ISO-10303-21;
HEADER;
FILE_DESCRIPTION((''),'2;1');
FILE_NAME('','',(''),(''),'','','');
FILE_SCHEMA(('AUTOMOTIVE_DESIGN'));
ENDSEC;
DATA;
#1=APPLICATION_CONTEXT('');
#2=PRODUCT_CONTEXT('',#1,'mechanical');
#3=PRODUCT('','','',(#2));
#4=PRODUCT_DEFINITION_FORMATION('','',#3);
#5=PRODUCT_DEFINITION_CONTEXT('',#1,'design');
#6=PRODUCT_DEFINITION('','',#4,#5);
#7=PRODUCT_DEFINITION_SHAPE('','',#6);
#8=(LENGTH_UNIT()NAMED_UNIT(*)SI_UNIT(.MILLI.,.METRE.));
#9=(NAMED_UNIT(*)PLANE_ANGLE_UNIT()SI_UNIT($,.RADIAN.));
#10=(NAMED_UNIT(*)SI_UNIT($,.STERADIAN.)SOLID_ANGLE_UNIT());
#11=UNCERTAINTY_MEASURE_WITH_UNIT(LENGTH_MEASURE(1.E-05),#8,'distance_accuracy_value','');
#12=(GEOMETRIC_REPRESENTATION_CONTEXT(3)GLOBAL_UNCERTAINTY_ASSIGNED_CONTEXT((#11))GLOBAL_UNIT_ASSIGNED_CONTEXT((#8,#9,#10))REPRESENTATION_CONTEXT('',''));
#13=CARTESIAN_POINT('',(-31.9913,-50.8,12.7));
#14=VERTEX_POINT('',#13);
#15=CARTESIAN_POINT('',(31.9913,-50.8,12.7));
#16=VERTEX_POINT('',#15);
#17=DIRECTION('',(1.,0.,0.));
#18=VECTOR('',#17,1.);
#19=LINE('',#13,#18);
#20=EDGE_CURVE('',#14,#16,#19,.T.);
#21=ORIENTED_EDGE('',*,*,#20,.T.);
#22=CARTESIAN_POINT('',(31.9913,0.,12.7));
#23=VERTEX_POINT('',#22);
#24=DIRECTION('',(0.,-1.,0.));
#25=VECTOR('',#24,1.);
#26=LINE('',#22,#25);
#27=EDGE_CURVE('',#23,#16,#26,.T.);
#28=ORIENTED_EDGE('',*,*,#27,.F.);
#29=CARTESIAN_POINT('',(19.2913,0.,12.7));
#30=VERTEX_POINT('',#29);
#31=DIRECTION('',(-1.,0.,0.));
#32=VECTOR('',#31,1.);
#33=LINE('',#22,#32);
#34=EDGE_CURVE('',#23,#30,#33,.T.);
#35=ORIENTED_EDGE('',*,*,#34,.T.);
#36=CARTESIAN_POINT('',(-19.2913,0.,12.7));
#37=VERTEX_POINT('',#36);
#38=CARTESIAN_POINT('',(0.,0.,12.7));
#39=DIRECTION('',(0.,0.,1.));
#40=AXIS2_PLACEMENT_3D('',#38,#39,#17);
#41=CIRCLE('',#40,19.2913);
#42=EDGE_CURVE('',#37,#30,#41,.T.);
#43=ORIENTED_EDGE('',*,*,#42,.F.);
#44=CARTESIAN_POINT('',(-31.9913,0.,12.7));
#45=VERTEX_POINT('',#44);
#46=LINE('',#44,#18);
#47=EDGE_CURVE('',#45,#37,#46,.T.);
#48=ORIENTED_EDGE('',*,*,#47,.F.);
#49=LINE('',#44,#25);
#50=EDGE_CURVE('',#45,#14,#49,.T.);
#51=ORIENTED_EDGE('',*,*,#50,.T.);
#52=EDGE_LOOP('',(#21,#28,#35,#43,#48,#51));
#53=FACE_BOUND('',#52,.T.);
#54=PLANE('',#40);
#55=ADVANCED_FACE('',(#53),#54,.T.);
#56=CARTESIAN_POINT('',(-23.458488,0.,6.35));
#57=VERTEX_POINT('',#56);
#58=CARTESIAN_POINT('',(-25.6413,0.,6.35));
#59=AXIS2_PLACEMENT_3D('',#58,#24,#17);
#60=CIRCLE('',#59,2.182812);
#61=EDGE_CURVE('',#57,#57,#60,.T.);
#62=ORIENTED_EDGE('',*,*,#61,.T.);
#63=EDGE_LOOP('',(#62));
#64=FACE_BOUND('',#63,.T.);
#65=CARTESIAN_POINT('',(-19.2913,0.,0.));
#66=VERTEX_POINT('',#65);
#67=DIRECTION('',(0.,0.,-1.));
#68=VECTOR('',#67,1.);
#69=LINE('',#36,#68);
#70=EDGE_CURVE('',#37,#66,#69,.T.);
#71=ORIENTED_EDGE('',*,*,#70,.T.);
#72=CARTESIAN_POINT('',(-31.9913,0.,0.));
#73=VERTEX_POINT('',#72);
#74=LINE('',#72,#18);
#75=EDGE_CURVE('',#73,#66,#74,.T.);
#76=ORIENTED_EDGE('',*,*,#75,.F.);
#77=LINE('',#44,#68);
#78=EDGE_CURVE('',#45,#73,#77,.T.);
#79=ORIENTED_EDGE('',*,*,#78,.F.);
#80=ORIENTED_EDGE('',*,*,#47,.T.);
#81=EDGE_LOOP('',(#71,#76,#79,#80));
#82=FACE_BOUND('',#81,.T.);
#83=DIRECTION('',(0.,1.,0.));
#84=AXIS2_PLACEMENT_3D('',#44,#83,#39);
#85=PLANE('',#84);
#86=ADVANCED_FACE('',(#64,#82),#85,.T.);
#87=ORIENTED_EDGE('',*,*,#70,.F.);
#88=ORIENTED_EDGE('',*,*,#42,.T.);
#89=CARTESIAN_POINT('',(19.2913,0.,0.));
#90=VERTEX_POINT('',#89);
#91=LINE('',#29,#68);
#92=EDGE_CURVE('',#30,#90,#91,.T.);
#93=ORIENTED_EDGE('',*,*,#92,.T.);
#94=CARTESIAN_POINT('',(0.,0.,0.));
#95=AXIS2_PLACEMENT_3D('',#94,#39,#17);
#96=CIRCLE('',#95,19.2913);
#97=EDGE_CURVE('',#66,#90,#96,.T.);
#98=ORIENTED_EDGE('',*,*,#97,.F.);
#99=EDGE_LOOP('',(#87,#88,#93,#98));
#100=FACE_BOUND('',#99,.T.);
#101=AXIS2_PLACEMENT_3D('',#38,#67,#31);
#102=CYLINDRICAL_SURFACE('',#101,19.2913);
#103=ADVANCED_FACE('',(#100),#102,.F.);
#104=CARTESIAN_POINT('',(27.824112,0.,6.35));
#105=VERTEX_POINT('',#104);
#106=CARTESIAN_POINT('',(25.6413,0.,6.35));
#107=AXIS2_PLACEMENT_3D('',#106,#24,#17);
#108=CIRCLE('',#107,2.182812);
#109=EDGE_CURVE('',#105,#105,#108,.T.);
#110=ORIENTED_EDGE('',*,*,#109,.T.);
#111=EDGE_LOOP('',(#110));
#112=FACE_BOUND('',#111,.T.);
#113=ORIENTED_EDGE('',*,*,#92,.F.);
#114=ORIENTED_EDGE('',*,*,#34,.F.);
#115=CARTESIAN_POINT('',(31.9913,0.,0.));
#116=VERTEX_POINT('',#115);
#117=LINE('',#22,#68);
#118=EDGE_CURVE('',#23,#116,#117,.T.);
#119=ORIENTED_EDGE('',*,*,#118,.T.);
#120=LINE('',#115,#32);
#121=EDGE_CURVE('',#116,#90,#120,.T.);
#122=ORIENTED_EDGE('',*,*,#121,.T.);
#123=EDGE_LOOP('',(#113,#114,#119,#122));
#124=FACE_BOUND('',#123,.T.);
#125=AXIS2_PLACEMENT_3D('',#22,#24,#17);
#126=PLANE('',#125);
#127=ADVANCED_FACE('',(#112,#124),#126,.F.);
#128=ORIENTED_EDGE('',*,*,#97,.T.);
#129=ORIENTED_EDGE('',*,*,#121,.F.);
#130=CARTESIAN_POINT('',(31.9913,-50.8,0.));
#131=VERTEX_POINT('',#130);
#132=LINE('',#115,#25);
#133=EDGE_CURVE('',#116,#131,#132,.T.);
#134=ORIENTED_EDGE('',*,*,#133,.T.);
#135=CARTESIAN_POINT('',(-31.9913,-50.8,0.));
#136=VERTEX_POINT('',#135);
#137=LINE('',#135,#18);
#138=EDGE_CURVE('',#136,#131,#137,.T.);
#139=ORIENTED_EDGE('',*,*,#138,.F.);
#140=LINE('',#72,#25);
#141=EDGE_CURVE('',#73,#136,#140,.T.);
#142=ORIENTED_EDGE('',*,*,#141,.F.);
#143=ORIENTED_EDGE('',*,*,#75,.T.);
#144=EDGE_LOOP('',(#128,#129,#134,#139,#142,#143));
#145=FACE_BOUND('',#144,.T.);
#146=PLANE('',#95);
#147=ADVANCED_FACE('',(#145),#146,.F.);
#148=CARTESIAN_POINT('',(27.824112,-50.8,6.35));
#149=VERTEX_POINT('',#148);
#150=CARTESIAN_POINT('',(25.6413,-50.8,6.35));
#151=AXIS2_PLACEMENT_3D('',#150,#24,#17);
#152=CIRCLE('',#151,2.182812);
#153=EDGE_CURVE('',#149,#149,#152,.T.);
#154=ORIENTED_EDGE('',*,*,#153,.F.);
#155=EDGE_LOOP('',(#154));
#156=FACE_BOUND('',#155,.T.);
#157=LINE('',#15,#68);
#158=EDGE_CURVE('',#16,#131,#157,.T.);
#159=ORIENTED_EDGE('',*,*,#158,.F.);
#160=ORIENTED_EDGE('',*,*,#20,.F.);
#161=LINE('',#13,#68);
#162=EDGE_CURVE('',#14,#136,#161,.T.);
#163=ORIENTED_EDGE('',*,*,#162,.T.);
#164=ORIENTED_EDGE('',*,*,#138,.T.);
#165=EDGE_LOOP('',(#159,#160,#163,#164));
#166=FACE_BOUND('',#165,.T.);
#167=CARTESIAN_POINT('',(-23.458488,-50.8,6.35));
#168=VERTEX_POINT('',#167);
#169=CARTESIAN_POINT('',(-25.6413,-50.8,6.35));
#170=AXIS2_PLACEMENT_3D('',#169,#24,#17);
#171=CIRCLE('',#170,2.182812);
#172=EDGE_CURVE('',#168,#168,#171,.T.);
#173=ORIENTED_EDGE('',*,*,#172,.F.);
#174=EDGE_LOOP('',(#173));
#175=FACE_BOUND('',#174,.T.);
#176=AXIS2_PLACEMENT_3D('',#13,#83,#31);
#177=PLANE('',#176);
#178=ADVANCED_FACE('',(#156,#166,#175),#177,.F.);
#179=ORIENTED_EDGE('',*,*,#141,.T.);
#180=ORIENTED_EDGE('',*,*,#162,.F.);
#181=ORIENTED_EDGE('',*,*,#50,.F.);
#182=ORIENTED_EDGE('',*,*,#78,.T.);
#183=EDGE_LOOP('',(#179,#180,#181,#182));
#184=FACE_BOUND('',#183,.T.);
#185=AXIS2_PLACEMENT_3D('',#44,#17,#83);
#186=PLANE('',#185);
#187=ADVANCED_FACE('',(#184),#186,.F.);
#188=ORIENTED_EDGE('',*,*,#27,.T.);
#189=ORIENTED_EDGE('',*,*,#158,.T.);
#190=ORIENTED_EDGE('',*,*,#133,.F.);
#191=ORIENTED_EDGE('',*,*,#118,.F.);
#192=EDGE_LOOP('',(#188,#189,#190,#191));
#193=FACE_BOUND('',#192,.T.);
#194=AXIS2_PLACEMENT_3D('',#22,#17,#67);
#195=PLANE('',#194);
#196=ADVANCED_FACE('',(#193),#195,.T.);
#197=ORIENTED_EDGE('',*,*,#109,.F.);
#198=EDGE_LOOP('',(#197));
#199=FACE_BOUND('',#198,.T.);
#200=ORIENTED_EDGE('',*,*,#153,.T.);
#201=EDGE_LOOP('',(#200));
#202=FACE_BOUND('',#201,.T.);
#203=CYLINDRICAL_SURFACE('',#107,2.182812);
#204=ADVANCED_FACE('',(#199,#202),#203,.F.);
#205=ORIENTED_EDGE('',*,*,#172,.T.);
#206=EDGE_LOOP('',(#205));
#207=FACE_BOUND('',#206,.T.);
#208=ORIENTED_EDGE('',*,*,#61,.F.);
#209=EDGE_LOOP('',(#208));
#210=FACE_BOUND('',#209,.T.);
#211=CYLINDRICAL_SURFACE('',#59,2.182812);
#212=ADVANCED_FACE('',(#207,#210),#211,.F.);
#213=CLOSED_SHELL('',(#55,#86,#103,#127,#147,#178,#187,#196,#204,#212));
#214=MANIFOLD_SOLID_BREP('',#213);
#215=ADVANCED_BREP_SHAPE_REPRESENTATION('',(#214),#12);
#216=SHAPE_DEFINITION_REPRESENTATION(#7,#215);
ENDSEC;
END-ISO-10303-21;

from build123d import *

# Parameters (mm, degrees)
BOSS_EXTRUDE1_DEPTH = 12.7
SKETCH2_R           = 2.1828125
CUT_EXTRUDE1_DEPTH  = 62.362637457


with BuildPart() as part:
    # Sketch1 → Boss-Extrude1 (new body)
    with BuildSketch(Plane.XY):
        with BuildLine():
            Line((-31.9913, 0), (-19.2913, 0))
            ThreePointArc((-19.2913, 0), (0, -19.2913), (19.2913, 0))
            Line((19.2913, 0), (31.9913, 0))
            Line((31.9913, 0), (31.9913, -50.8))
            Line((31.9913, -50.8), (-31.9913, -50.8))
            Line((-31.9913, -50.8), (-31.9913, 0))
        make_face()
    extrude(amount=BOSS_EXTRUDE1_DEPTH)

    # Sketch2 → Cut-Extrude1 (cut, through all)
    with BuildSketch(Plane.XZ.offset(50.8)):
        with Locations((-25.6413, 6.35)):
            Circle(SKETCH2_R)
        with Locations((25.6413, 6.35)):
            Circle(SKETCH2_R)
    extrude(amount=-CUT_EXTRUDE1_DEPTH, mode=Mode.SUBTRACT)


solid = part.part
